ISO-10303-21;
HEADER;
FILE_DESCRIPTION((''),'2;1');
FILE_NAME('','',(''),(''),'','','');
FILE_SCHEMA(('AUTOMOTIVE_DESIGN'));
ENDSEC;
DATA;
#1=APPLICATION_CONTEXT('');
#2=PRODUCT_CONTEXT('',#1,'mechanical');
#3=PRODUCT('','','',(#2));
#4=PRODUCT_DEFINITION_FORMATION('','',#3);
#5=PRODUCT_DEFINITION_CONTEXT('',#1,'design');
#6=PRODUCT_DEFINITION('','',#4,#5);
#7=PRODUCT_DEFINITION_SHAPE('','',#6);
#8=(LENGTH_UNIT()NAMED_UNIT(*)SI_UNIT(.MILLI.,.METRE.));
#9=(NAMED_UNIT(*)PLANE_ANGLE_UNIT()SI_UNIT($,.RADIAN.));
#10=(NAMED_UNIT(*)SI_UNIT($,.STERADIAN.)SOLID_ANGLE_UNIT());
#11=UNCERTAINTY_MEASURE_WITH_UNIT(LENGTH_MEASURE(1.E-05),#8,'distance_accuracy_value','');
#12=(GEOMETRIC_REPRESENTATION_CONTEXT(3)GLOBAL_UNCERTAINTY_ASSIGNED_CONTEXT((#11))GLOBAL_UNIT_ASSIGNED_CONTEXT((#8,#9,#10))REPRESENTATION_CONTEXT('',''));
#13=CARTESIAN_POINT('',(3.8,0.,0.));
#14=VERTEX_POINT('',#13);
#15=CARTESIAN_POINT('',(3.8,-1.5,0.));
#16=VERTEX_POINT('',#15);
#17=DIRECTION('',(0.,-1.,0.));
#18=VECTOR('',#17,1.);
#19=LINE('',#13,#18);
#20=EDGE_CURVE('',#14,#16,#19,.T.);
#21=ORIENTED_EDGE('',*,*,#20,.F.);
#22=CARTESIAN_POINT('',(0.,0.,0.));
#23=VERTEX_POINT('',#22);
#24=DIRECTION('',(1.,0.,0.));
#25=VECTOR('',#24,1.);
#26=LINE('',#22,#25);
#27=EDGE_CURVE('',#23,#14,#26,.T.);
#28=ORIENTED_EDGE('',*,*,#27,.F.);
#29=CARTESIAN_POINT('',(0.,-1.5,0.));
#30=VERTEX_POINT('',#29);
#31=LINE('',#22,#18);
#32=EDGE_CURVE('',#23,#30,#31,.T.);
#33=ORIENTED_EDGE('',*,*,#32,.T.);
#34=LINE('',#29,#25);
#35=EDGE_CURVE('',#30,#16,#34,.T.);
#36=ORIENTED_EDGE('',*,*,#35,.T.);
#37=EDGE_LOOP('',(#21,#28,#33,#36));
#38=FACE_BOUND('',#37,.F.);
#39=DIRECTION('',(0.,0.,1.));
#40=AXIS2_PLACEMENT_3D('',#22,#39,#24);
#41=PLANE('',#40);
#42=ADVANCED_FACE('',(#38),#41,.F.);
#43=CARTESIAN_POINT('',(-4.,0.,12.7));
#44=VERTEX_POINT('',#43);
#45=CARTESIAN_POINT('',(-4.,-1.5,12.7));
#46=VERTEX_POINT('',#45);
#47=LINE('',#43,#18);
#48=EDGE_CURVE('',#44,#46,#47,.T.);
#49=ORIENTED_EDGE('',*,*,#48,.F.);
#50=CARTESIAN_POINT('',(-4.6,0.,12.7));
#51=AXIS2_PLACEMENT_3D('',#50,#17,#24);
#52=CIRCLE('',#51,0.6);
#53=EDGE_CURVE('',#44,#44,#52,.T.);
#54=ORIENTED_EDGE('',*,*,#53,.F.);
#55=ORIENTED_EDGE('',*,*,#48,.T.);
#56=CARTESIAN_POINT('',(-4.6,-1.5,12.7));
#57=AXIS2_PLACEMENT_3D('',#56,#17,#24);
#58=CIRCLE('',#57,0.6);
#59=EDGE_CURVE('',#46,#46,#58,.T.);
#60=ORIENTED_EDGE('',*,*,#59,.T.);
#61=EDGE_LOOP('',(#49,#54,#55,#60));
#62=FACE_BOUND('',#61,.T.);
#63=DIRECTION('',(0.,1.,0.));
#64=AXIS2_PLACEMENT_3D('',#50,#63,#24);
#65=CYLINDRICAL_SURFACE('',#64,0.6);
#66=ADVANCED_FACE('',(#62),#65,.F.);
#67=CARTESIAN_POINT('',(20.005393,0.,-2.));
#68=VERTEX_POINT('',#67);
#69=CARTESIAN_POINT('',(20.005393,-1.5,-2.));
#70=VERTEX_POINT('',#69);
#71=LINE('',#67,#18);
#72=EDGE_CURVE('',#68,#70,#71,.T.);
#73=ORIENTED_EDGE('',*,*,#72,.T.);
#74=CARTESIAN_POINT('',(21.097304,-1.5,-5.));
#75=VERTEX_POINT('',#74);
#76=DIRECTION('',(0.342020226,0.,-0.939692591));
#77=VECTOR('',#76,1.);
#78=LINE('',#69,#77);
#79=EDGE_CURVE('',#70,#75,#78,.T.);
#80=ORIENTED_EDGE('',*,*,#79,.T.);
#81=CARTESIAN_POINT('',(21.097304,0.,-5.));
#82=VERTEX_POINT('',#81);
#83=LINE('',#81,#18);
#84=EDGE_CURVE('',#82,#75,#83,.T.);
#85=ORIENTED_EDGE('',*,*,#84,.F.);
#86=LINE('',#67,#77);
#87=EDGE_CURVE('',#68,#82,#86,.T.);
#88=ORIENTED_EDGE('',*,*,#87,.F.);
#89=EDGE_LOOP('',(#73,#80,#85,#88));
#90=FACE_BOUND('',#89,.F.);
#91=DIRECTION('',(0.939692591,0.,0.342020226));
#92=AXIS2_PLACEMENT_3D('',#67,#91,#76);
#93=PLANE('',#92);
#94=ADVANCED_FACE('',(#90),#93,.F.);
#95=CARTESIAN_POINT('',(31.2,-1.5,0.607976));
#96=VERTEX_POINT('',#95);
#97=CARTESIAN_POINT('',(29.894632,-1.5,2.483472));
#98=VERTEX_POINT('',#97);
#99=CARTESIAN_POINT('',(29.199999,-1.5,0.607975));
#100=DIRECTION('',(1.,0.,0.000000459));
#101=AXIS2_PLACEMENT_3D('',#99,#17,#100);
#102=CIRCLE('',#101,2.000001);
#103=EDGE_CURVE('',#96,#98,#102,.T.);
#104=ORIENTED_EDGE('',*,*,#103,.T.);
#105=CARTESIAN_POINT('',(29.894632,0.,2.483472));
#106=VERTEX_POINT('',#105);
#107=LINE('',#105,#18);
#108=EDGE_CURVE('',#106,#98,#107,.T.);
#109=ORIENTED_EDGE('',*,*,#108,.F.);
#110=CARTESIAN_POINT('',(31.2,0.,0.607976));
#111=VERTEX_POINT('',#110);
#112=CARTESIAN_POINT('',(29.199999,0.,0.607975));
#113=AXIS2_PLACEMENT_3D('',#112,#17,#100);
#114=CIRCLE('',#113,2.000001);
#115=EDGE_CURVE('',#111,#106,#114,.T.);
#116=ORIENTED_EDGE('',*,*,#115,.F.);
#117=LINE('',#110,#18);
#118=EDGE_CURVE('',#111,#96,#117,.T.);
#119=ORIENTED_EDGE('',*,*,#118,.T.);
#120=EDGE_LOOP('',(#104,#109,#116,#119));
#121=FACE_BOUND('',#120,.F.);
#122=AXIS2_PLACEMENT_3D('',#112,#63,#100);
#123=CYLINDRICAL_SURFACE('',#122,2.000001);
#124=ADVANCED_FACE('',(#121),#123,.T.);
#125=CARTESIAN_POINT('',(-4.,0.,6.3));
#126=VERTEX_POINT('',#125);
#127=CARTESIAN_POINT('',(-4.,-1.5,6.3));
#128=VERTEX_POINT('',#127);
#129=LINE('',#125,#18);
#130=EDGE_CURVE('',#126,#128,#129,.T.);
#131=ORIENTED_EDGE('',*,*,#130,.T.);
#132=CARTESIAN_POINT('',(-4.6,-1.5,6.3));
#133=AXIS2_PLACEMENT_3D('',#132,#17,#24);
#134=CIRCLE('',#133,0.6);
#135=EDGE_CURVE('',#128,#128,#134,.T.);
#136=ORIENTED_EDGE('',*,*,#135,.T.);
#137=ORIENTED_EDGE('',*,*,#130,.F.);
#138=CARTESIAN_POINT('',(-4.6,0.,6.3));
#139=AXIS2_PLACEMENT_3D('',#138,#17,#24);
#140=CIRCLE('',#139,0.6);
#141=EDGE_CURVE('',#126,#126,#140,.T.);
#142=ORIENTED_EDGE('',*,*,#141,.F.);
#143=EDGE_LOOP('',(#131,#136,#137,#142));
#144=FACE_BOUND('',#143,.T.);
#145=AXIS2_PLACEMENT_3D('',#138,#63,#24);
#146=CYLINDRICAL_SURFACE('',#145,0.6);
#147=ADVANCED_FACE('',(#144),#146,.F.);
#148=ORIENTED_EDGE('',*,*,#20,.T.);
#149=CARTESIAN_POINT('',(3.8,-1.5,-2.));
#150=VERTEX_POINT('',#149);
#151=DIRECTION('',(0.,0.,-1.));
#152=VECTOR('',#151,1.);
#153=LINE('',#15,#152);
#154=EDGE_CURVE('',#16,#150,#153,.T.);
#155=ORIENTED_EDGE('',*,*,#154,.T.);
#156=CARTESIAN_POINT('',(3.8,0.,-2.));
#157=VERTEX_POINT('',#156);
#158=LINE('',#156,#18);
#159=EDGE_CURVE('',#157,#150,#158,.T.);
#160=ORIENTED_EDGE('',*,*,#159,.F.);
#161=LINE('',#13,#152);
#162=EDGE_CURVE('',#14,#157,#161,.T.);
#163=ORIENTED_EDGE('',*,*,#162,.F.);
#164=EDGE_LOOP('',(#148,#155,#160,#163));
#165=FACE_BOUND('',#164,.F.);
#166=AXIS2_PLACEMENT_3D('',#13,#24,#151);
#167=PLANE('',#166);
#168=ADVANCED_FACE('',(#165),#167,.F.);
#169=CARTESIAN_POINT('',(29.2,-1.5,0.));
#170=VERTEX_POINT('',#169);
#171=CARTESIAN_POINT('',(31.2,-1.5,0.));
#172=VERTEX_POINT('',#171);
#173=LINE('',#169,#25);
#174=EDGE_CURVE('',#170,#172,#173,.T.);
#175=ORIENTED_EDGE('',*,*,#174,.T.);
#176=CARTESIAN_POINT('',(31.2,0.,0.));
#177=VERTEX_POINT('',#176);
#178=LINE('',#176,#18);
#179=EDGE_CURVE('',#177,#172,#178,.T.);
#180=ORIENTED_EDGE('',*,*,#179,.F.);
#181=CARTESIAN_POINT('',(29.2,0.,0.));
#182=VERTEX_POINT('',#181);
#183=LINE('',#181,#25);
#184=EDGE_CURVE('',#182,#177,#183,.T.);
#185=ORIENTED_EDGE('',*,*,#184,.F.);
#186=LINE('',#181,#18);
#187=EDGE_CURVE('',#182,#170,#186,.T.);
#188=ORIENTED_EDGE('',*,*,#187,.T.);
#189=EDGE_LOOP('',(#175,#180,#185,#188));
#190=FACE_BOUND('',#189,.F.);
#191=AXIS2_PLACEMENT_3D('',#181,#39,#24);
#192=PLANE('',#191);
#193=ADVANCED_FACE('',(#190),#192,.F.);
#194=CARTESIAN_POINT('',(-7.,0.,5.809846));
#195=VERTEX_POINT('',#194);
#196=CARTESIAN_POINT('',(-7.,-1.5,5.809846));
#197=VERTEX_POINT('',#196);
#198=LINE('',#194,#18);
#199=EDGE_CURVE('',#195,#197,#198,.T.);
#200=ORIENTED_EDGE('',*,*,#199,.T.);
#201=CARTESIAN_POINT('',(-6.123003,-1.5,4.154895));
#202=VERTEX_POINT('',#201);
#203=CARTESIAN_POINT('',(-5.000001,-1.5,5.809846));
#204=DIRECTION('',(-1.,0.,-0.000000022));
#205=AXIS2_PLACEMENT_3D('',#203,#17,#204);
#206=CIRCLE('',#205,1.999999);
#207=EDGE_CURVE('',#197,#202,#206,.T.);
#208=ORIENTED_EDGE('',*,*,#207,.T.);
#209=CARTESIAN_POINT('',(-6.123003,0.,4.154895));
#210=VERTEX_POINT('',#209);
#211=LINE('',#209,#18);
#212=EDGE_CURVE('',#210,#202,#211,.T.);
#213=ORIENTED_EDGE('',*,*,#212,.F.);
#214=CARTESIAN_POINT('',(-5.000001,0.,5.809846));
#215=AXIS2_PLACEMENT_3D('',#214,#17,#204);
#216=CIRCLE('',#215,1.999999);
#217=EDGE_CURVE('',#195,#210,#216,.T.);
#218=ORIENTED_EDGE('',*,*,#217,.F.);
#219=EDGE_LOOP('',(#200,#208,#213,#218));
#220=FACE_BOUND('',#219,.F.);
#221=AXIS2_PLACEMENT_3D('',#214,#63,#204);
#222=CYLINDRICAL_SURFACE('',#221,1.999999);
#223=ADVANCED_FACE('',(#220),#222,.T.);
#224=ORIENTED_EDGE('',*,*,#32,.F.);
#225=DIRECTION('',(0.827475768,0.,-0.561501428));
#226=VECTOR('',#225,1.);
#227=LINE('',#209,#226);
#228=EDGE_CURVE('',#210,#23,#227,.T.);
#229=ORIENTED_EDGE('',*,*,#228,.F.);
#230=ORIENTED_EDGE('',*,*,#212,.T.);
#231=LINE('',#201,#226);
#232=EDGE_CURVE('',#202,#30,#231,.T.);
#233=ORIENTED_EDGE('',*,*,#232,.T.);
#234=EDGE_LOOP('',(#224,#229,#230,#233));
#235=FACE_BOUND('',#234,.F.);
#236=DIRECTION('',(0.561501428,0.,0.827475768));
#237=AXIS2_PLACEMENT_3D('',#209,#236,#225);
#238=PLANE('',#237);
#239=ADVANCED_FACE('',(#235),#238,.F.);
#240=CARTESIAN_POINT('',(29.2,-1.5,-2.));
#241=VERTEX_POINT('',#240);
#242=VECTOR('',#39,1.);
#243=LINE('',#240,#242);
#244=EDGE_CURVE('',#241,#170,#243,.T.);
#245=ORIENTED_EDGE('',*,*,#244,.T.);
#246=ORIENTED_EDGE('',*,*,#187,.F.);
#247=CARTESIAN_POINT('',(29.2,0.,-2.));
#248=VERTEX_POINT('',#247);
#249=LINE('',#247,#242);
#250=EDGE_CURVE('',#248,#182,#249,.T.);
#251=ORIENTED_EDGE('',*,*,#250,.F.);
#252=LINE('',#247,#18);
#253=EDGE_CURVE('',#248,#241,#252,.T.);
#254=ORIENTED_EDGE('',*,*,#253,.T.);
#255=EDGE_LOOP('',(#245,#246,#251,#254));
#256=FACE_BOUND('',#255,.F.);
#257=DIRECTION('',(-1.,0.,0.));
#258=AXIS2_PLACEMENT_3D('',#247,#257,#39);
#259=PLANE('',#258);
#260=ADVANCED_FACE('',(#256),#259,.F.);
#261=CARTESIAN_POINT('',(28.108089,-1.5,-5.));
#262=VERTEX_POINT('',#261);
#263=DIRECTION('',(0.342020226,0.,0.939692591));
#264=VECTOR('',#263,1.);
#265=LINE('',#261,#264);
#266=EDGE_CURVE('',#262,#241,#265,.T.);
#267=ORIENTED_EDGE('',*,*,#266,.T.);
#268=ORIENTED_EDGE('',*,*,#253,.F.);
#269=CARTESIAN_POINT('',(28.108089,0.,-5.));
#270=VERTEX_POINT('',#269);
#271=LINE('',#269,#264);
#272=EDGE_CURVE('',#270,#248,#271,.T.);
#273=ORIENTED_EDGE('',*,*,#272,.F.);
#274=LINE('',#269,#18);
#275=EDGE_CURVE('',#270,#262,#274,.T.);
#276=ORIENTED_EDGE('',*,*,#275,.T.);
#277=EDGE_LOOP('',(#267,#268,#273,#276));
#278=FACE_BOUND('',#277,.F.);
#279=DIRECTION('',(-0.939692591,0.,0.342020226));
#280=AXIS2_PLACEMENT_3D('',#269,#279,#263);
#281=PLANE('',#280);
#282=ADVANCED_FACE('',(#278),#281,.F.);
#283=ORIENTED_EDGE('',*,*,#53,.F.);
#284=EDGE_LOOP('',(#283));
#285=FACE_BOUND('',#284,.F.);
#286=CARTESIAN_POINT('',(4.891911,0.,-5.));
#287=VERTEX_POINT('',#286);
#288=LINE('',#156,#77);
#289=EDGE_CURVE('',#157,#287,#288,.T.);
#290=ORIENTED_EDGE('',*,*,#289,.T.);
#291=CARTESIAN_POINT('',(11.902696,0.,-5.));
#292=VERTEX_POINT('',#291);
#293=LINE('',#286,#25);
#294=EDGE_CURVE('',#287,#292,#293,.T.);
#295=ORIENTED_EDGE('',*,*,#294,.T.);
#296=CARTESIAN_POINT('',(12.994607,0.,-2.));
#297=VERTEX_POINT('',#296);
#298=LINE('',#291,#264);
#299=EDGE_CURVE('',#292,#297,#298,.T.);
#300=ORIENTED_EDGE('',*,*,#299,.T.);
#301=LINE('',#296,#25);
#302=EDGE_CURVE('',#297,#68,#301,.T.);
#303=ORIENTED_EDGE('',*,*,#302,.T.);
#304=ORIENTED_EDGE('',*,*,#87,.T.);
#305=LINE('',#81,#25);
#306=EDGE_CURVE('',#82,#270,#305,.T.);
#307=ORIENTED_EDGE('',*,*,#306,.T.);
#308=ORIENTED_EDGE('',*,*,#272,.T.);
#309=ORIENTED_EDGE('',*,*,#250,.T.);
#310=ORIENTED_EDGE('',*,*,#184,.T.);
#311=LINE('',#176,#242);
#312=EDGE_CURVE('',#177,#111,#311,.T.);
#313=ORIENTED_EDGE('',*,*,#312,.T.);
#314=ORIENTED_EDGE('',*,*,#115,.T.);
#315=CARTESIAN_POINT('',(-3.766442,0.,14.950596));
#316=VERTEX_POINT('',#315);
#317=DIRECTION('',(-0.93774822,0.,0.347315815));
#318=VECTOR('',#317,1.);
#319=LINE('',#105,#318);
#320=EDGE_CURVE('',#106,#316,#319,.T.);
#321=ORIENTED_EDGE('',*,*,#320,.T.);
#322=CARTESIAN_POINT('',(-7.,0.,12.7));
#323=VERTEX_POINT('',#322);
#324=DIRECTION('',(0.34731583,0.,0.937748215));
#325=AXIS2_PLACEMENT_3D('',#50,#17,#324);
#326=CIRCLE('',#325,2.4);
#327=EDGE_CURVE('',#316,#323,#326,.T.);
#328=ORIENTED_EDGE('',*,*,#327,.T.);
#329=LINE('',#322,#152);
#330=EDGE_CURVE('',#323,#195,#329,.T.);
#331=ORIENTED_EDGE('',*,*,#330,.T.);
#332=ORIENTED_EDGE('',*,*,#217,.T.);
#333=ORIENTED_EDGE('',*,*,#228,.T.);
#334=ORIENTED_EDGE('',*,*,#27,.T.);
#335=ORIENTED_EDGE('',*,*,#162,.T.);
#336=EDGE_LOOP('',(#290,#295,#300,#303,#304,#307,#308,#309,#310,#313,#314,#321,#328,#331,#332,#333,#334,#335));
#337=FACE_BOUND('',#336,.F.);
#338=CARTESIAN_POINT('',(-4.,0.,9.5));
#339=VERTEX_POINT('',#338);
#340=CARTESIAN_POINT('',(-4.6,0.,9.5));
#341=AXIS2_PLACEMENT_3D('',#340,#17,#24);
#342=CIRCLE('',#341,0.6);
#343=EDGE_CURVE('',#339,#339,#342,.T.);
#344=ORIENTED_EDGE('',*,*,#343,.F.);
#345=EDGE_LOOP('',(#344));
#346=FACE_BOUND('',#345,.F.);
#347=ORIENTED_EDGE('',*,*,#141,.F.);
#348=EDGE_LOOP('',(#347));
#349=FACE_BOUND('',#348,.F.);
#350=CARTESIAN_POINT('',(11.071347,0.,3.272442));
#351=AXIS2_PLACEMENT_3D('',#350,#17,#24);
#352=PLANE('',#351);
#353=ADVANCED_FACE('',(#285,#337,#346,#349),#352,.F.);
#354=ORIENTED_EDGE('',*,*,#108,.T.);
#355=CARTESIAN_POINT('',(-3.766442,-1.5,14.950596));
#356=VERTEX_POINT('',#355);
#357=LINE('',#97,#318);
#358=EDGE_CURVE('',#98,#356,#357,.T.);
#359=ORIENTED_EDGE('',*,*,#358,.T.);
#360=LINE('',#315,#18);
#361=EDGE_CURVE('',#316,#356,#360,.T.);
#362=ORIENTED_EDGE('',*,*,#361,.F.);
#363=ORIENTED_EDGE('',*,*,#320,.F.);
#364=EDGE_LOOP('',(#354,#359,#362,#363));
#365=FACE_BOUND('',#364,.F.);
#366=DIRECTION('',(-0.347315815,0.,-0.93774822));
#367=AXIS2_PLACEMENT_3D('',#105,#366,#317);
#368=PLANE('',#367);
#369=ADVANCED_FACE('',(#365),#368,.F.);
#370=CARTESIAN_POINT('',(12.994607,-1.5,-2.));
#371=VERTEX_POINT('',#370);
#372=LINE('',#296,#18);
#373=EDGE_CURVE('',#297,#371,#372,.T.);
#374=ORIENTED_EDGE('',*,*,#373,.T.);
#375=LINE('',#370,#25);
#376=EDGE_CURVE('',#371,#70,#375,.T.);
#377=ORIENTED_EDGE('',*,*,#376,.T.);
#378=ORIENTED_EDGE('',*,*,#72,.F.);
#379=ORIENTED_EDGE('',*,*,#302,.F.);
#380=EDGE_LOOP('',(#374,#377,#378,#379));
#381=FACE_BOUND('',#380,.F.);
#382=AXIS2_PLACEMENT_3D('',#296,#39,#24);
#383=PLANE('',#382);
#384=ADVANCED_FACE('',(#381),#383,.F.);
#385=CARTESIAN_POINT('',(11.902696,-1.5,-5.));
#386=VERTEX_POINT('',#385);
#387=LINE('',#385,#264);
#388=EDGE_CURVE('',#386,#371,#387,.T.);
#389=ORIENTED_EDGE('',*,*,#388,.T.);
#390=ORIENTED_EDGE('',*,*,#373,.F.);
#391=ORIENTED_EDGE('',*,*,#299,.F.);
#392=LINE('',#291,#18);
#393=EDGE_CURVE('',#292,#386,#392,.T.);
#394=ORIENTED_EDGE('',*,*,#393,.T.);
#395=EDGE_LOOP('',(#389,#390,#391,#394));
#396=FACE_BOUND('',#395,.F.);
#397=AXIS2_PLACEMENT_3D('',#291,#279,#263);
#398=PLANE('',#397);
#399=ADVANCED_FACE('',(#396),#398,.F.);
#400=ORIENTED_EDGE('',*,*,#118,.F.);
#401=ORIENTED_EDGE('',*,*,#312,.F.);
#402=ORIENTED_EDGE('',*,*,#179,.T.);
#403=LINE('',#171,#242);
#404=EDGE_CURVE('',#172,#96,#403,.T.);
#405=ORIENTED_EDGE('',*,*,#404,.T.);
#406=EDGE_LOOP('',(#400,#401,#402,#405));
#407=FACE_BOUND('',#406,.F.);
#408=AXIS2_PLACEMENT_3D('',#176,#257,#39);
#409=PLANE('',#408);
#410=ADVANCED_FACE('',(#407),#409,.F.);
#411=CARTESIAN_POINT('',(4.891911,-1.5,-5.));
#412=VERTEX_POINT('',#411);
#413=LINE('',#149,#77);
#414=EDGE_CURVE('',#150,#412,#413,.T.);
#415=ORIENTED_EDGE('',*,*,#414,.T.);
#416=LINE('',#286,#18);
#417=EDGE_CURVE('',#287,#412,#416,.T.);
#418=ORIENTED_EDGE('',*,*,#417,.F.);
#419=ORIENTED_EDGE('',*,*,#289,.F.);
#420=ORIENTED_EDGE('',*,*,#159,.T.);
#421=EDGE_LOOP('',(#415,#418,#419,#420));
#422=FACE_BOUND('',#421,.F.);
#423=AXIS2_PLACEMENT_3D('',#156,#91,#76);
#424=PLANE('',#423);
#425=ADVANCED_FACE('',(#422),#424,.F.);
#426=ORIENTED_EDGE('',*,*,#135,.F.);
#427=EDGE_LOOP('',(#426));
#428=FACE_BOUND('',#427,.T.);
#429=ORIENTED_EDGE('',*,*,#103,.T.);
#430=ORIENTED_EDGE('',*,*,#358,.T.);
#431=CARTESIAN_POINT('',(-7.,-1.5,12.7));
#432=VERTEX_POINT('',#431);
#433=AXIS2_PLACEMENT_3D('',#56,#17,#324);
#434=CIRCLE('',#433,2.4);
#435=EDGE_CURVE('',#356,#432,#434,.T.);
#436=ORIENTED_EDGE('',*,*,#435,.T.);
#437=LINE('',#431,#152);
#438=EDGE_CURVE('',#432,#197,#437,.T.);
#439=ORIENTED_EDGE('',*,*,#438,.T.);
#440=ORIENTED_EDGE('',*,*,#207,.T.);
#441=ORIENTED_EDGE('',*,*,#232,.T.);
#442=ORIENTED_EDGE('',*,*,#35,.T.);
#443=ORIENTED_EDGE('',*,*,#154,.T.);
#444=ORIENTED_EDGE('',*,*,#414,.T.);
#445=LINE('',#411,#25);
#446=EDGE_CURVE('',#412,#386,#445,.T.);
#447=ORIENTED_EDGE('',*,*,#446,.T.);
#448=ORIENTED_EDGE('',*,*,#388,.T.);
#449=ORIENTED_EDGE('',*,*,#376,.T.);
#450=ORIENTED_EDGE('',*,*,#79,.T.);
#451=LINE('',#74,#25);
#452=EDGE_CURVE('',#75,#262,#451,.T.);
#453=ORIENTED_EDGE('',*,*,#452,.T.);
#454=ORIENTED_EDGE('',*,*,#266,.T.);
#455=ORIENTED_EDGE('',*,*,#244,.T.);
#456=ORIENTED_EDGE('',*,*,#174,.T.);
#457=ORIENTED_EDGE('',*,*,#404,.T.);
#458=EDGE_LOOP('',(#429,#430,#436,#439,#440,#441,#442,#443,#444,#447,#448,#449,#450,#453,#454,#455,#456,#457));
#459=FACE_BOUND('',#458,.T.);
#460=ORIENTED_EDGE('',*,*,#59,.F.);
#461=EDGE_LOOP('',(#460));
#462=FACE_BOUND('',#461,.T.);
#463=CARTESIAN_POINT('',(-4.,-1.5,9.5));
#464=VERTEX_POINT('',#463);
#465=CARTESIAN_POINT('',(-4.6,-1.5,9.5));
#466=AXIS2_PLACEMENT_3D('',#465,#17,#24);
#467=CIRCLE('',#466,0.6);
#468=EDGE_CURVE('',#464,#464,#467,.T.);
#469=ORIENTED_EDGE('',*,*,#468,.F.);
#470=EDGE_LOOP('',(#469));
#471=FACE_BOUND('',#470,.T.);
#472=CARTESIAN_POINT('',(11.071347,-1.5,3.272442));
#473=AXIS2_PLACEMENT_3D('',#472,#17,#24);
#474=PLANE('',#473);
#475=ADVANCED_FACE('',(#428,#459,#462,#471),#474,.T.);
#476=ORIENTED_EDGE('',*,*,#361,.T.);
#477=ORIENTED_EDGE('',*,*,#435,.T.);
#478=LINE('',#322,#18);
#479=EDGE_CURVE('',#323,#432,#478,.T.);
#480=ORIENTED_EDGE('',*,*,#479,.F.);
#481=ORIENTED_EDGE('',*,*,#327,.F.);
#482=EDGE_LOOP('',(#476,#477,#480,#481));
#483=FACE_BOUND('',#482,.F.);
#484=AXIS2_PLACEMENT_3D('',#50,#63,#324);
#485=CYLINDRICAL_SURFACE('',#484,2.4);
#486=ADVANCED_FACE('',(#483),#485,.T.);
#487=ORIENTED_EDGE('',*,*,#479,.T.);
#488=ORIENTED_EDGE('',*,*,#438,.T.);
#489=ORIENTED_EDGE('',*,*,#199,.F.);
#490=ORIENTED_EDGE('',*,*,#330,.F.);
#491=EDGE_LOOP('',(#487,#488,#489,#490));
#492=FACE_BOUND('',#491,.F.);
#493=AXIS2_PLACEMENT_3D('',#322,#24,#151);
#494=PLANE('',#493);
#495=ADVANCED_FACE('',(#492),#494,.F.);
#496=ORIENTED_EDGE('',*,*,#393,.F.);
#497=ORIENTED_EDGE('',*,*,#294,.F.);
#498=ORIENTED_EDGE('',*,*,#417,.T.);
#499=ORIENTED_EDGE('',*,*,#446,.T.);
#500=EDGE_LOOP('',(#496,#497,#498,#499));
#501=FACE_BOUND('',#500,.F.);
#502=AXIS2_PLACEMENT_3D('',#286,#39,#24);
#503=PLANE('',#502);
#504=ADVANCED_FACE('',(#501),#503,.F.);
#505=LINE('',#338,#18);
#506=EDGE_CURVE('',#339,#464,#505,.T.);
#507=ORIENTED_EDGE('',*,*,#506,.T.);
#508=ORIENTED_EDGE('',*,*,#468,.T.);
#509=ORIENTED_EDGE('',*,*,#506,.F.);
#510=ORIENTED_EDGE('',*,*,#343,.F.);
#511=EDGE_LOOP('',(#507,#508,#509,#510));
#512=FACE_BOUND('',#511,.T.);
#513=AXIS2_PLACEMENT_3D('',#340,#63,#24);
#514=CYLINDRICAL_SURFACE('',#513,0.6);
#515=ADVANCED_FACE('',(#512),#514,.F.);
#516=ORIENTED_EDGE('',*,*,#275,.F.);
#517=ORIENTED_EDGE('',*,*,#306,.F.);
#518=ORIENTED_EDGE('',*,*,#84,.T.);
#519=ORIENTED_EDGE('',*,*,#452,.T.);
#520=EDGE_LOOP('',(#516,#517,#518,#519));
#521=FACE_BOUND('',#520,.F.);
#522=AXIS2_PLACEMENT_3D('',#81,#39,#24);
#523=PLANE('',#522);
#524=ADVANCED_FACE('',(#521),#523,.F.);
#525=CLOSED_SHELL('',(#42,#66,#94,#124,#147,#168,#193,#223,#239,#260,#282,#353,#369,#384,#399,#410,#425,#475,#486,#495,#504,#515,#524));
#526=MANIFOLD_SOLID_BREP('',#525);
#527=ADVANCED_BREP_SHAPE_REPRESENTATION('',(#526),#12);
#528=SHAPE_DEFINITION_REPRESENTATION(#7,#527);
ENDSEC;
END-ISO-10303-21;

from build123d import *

# Parameters (mm, degrees)
F0_R     = 0.6
F1_DEPTH = 1.5


with BuildPart() as f1:
    # F0 (on Front) → F1 (new body)
    with BuildSketch(Plane.XZ):
        with BuildLine():
            Line((-6.123003, 4.154895), (0, 0))
            Line((0, 0), (3.8, 0))
            Line((3.8, 0), (3.8, -2))
            Line((3.8, -2), (4.891911, -5))
            Line((4.891911, -5), (11.902696, -5))
            Line((11.902696, -5), (12.994607, -2))
            Line((12.994607, -2), (20.005393, -2))
            Line((20.005393, -2), (21.097304, -5))
            Line((21.097304, -5), (28.108089, -5))
            Line((28.108089, -5), (29.2, -2))
            Line((29.2, -2), (29.2, 0))
            Line((29.2, 0), (31.2, 0))
            Line((31.2, 0), (31.2, 0.607976))
            ThreePointArc((31.2, 0.607976), (30.841533, 1.750503), (29.894632, 2.483472))
            Line((29.894632, 2.483472), (-3.766442, 14.950596))
            ThreePointArc((-3.766442, 14.950596), (-5.971033, 14.66984), (-7, 12.7))
            Line((-7, 12.7), (-7, 5.809846))
            ThreePointArc((-7, 5.809846), (-6.767202, 4.873365), (-6.123003, 4.154895))
        make_face()
        with Locations((-4.6, 6.3)):
            Circle(F0_R, mode=Mode.SUBTRACT)
        with Locations((-4.6, 9.5)):
            Circle(F0_R, mode=Mode.SUBTRACT)
        with Locations((-4.6, 12.7)):
            Circle(F0_R, mode=Mode.SUBTRACT)
    extrude(amount=F1_DEPTH)


solid = f1.part
